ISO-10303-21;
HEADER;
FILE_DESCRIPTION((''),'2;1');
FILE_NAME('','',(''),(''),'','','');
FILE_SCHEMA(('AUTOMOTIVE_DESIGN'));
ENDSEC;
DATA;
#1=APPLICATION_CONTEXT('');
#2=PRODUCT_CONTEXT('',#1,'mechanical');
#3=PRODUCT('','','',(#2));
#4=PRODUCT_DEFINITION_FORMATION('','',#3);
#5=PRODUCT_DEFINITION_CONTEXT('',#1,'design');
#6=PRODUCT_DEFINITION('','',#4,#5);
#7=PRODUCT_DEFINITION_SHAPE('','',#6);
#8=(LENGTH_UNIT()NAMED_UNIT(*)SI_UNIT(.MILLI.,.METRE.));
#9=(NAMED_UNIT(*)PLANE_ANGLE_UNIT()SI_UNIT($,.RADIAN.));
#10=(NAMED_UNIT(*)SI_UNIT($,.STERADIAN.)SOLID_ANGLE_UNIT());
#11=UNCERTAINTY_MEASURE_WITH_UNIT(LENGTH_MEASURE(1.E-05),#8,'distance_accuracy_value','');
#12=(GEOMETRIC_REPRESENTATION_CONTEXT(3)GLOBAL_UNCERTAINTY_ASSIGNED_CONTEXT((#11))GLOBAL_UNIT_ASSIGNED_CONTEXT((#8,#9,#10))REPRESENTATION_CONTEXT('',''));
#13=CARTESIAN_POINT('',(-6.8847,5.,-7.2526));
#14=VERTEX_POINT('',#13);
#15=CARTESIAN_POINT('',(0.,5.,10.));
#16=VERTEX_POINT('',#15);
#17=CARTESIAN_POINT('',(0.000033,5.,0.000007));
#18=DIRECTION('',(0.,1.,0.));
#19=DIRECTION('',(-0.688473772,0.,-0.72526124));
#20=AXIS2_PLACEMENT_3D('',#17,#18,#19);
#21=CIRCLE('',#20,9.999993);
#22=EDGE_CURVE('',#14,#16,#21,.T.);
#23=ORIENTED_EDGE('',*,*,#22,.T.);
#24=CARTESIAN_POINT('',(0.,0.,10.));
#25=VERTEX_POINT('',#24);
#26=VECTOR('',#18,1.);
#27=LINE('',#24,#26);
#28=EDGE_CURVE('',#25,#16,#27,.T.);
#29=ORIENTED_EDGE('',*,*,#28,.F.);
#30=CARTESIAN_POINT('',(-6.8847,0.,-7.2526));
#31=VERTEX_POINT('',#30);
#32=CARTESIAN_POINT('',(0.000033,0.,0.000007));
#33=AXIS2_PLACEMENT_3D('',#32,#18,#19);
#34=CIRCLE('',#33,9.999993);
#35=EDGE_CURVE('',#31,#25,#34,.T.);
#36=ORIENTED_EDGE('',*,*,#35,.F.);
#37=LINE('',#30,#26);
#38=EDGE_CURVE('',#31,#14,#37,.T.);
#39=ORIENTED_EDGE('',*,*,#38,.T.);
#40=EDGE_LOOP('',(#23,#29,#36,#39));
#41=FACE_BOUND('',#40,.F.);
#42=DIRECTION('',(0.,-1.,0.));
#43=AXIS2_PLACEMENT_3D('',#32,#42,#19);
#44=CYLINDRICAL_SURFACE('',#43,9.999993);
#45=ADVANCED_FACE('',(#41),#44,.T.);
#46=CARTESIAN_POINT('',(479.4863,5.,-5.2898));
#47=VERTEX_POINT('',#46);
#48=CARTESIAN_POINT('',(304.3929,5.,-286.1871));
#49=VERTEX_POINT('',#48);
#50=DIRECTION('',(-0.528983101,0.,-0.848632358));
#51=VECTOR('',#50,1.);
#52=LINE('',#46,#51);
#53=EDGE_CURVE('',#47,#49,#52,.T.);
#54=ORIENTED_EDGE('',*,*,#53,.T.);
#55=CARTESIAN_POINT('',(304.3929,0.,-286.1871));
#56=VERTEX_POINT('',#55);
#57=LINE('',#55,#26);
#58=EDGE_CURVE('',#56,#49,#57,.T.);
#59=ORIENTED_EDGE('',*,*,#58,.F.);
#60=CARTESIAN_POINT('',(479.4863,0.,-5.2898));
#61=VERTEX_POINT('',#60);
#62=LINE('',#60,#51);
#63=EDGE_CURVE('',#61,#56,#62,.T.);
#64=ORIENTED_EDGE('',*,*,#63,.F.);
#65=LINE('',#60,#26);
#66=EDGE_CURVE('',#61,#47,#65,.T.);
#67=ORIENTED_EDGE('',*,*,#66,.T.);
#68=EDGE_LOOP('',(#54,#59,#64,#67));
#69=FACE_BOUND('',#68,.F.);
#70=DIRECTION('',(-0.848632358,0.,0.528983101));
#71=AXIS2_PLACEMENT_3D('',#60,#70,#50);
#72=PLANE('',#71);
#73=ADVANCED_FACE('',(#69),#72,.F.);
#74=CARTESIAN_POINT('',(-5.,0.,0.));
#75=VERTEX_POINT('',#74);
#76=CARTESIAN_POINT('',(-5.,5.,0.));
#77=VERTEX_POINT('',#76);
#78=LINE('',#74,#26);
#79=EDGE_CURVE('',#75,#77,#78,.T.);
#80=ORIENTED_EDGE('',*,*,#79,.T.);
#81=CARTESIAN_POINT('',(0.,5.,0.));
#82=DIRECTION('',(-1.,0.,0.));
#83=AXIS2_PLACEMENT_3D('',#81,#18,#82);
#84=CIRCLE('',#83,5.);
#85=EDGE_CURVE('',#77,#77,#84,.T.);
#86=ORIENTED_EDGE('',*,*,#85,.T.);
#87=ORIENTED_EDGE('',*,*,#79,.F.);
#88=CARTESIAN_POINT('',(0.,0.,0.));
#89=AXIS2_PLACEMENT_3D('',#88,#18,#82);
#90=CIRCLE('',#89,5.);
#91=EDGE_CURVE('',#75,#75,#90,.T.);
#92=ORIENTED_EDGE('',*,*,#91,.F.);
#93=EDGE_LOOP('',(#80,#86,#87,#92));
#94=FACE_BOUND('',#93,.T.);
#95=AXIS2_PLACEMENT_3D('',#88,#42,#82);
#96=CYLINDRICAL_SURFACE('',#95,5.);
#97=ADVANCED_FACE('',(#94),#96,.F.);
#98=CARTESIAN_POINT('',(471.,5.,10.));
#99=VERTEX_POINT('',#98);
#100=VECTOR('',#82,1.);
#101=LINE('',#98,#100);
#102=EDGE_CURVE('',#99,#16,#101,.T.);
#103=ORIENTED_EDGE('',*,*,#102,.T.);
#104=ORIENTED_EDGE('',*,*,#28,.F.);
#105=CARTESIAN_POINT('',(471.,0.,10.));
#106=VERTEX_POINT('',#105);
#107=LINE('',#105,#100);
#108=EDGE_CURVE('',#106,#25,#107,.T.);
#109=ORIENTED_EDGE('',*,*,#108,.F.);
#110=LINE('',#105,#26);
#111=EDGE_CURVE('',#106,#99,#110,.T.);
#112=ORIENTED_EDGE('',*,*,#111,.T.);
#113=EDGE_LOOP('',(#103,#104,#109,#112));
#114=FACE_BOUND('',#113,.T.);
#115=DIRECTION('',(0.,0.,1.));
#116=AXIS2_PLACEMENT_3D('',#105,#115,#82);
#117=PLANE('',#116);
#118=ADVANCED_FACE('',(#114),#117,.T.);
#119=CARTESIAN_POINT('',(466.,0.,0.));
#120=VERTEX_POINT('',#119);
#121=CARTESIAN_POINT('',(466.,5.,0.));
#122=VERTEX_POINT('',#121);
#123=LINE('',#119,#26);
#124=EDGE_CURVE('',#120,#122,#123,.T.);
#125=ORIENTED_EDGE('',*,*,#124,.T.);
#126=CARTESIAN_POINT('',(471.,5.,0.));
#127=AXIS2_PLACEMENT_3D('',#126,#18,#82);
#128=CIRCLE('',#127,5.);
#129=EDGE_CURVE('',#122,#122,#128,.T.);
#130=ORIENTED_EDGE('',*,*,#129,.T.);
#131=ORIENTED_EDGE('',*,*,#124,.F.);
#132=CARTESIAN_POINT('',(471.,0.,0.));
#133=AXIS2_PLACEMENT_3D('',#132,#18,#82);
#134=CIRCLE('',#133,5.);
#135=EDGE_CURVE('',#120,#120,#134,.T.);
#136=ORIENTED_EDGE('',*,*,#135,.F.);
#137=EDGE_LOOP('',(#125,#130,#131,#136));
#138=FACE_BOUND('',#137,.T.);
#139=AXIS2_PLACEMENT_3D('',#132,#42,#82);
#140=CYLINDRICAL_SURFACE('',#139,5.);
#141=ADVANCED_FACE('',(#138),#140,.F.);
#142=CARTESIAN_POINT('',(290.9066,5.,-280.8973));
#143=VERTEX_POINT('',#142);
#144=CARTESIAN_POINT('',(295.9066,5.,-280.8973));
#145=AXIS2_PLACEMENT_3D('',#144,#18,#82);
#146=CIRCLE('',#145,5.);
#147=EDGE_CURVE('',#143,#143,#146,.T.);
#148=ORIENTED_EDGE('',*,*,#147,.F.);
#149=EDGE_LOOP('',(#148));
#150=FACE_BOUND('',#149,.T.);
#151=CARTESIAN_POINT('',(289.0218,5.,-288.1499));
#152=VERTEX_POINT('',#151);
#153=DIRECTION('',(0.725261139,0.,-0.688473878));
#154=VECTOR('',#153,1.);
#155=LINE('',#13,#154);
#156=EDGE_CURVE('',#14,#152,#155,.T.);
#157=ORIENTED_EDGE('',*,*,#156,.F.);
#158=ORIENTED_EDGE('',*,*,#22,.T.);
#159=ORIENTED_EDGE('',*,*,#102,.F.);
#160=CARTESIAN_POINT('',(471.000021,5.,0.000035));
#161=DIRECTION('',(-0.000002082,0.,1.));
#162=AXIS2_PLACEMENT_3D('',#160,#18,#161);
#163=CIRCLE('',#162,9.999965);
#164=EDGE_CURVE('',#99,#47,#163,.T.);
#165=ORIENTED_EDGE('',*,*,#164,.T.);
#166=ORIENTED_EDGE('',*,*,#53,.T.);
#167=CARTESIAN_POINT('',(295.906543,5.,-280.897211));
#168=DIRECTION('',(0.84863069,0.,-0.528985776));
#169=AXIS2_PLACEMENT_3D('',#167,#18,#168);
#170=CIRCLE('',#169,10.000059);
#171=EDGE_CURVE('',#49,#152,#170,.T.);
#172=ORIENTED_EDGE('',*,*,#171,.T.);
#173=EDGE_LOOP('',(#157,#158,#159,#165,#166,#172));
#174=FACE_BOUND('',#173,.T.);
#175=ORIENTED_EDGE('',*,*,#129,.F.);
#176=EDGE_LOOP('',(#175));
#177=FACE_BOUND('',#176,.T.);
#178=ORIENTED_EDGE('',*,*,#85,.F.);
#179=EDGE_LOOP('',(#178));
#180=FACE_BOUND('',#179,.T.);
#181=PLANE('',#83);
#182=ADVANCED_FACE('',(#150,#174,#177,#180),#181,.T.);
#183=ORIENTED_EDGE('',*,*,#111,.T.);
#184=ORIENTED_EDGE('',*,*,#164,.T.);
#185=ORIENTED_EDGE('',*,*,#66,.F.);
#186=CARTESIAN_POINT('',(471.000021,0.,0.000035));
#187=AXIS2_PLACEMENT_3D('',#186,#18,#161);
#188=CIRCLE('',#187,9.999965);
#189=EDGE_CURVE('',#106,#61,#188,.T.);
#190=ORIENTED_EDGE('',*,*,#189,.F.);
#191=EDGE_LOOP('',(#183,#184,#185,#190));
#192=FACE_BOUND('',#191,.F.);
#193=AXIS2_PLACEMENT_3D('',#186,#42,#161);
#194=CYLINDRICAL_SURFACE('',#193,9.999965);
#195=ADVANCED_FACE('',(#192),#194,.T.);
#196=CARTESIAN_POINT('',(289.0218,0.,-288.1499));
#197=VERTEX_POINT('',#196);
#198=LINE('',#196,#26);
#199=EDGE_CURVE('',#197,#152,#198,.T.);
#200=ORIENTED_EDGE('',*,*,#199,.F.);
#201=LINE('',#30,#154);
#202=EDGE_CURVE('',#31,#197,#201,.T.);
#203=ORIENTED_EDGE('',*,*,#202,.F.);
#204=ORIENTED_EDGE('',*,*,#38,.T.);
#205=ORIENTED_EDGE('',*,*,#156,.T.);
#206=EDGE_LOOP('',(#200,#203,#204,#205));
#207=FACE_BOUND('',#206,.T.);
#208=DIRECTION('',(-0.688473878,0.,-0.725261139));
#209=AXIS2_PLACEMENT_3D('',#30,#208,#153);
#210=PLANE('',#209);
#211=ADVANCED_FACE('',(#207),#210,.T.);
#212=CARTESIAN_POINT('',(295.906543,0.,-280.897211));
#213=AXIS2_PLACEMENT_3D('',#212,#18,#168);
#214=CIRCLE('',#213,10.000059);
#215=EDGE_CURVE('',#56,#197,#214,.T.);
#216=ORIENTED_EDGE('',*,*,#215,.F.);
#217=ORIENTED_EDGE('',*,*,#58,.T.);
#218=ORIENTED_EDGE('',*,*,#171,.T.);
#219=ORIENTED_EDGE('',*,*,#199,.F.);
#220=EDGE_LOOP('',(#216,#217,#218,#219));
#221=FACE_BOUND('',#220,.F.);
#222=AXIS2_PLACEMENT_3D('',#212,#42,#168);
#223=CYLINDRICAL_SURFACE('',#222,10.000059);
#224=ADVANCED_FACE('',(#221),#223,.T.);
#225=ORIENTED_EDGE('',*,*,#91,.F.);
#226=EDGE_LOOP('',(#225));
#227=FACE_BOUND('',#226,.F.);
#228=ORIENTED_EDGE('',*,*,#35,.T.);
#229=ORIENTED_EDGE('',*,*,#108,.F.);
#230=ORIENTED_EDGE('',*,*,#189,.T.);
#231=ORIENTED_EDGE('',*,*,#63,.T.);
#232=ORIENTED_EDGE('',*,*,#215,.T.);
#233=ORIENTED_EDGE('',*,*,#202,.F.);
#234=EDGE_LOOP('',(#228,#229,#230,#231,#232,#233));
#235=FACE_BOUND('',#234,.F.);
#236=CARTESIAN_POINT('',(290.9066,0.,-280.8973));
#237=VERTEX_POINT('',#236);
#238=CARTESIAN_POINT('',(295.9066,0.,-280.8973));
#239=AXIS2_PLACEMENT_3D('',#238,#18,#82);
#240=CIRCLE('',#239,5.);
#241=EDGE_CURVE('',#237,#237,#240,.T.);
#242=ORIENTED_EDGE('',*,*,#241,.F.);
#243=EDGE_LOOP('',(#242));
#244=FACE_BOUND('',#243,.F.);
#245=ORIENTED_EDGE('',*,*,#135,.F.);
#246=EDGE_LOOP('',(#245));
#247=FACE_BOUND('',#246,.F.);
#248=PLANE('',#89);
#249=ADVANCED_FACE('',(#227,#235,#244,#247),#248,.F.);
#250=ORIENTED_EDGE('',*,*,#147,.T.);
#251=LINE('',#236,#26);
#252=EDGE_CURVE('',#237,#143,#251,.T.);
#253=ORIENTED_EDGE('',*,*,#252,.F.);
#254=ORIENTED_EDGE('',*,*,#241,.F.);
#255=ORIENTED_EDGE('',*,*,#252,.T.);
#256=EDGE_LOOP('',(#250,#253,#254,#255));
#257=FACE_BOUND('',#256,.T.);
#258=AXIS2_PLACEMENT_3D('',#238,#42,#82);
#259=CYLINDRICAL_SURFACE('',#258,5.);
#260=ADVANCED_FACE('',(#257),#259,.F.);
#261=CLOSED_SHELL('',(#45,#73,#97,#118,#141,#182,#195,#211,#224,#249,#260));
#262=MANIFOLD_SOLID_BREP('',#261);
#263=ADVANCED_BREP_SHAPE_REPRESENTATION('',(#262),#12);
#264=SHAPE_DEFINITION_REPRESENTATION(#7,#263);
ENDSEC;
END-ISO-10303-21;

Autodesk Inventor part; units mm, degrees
ref_plane "YZ Plane" through (0, 0, 0) normal (1, 0, 0) x (0, 1, 0)
ref_plane "XZ Plane" through (0, 0, 0) normal (0, 1, 0) x (-1, 0, 0)
ref_plane "XY Plane" through (0, 0, 0) normal (0, 0, 1) x (1, 0, 0)
sketch "草圖2" plane through (0, 0, 0) normal (0, 1, 0) x (-1, 0, 0)
  line L0 (-295.9066, -280.8973) -> (0, 0) construction
  line L1 (0, 0) -> (-471, 0) construction
  arc A0 (-471, 10) -> (-479.4863, -5.2898) centre (-471, 0) ccw
  arc A1 (6.8847, -7.2526) -> (0, 10) centre (0, 0) ccw
  line L2 (-471, 10) -> (0, 10)
  line L3 (-479.4863, -5.2898) -> (-304.3929, -286.1871)
  line L4 (-471, 0) -> (-295.9066, -280.8973) construction
  arc A2 (-304.3929, -286.1871) -> (-289.0218, -288.1499) centre (-295.9066, -280.8973) ccw
  line L5 (6.8847, -7.2526) -> (-289.0218, -288.1499)
  circle A3 centre (-471, 0) radius 5
  circle A4 centre (0, 0) radius 5
  circle A5 centre (-295.9066, -280.8973) radius 5
  dimension "d11" = 20
  dimension "hole" = 10
  dimension "center_distance1" = 471
  dimension "center_distance3" = 331
  dimension "center_distance2" = 408
extrude "擠出2" add sketch "草圖2" along normal blind 5
equation "\"d11\" = 2 * hole"
properties part number "test"
